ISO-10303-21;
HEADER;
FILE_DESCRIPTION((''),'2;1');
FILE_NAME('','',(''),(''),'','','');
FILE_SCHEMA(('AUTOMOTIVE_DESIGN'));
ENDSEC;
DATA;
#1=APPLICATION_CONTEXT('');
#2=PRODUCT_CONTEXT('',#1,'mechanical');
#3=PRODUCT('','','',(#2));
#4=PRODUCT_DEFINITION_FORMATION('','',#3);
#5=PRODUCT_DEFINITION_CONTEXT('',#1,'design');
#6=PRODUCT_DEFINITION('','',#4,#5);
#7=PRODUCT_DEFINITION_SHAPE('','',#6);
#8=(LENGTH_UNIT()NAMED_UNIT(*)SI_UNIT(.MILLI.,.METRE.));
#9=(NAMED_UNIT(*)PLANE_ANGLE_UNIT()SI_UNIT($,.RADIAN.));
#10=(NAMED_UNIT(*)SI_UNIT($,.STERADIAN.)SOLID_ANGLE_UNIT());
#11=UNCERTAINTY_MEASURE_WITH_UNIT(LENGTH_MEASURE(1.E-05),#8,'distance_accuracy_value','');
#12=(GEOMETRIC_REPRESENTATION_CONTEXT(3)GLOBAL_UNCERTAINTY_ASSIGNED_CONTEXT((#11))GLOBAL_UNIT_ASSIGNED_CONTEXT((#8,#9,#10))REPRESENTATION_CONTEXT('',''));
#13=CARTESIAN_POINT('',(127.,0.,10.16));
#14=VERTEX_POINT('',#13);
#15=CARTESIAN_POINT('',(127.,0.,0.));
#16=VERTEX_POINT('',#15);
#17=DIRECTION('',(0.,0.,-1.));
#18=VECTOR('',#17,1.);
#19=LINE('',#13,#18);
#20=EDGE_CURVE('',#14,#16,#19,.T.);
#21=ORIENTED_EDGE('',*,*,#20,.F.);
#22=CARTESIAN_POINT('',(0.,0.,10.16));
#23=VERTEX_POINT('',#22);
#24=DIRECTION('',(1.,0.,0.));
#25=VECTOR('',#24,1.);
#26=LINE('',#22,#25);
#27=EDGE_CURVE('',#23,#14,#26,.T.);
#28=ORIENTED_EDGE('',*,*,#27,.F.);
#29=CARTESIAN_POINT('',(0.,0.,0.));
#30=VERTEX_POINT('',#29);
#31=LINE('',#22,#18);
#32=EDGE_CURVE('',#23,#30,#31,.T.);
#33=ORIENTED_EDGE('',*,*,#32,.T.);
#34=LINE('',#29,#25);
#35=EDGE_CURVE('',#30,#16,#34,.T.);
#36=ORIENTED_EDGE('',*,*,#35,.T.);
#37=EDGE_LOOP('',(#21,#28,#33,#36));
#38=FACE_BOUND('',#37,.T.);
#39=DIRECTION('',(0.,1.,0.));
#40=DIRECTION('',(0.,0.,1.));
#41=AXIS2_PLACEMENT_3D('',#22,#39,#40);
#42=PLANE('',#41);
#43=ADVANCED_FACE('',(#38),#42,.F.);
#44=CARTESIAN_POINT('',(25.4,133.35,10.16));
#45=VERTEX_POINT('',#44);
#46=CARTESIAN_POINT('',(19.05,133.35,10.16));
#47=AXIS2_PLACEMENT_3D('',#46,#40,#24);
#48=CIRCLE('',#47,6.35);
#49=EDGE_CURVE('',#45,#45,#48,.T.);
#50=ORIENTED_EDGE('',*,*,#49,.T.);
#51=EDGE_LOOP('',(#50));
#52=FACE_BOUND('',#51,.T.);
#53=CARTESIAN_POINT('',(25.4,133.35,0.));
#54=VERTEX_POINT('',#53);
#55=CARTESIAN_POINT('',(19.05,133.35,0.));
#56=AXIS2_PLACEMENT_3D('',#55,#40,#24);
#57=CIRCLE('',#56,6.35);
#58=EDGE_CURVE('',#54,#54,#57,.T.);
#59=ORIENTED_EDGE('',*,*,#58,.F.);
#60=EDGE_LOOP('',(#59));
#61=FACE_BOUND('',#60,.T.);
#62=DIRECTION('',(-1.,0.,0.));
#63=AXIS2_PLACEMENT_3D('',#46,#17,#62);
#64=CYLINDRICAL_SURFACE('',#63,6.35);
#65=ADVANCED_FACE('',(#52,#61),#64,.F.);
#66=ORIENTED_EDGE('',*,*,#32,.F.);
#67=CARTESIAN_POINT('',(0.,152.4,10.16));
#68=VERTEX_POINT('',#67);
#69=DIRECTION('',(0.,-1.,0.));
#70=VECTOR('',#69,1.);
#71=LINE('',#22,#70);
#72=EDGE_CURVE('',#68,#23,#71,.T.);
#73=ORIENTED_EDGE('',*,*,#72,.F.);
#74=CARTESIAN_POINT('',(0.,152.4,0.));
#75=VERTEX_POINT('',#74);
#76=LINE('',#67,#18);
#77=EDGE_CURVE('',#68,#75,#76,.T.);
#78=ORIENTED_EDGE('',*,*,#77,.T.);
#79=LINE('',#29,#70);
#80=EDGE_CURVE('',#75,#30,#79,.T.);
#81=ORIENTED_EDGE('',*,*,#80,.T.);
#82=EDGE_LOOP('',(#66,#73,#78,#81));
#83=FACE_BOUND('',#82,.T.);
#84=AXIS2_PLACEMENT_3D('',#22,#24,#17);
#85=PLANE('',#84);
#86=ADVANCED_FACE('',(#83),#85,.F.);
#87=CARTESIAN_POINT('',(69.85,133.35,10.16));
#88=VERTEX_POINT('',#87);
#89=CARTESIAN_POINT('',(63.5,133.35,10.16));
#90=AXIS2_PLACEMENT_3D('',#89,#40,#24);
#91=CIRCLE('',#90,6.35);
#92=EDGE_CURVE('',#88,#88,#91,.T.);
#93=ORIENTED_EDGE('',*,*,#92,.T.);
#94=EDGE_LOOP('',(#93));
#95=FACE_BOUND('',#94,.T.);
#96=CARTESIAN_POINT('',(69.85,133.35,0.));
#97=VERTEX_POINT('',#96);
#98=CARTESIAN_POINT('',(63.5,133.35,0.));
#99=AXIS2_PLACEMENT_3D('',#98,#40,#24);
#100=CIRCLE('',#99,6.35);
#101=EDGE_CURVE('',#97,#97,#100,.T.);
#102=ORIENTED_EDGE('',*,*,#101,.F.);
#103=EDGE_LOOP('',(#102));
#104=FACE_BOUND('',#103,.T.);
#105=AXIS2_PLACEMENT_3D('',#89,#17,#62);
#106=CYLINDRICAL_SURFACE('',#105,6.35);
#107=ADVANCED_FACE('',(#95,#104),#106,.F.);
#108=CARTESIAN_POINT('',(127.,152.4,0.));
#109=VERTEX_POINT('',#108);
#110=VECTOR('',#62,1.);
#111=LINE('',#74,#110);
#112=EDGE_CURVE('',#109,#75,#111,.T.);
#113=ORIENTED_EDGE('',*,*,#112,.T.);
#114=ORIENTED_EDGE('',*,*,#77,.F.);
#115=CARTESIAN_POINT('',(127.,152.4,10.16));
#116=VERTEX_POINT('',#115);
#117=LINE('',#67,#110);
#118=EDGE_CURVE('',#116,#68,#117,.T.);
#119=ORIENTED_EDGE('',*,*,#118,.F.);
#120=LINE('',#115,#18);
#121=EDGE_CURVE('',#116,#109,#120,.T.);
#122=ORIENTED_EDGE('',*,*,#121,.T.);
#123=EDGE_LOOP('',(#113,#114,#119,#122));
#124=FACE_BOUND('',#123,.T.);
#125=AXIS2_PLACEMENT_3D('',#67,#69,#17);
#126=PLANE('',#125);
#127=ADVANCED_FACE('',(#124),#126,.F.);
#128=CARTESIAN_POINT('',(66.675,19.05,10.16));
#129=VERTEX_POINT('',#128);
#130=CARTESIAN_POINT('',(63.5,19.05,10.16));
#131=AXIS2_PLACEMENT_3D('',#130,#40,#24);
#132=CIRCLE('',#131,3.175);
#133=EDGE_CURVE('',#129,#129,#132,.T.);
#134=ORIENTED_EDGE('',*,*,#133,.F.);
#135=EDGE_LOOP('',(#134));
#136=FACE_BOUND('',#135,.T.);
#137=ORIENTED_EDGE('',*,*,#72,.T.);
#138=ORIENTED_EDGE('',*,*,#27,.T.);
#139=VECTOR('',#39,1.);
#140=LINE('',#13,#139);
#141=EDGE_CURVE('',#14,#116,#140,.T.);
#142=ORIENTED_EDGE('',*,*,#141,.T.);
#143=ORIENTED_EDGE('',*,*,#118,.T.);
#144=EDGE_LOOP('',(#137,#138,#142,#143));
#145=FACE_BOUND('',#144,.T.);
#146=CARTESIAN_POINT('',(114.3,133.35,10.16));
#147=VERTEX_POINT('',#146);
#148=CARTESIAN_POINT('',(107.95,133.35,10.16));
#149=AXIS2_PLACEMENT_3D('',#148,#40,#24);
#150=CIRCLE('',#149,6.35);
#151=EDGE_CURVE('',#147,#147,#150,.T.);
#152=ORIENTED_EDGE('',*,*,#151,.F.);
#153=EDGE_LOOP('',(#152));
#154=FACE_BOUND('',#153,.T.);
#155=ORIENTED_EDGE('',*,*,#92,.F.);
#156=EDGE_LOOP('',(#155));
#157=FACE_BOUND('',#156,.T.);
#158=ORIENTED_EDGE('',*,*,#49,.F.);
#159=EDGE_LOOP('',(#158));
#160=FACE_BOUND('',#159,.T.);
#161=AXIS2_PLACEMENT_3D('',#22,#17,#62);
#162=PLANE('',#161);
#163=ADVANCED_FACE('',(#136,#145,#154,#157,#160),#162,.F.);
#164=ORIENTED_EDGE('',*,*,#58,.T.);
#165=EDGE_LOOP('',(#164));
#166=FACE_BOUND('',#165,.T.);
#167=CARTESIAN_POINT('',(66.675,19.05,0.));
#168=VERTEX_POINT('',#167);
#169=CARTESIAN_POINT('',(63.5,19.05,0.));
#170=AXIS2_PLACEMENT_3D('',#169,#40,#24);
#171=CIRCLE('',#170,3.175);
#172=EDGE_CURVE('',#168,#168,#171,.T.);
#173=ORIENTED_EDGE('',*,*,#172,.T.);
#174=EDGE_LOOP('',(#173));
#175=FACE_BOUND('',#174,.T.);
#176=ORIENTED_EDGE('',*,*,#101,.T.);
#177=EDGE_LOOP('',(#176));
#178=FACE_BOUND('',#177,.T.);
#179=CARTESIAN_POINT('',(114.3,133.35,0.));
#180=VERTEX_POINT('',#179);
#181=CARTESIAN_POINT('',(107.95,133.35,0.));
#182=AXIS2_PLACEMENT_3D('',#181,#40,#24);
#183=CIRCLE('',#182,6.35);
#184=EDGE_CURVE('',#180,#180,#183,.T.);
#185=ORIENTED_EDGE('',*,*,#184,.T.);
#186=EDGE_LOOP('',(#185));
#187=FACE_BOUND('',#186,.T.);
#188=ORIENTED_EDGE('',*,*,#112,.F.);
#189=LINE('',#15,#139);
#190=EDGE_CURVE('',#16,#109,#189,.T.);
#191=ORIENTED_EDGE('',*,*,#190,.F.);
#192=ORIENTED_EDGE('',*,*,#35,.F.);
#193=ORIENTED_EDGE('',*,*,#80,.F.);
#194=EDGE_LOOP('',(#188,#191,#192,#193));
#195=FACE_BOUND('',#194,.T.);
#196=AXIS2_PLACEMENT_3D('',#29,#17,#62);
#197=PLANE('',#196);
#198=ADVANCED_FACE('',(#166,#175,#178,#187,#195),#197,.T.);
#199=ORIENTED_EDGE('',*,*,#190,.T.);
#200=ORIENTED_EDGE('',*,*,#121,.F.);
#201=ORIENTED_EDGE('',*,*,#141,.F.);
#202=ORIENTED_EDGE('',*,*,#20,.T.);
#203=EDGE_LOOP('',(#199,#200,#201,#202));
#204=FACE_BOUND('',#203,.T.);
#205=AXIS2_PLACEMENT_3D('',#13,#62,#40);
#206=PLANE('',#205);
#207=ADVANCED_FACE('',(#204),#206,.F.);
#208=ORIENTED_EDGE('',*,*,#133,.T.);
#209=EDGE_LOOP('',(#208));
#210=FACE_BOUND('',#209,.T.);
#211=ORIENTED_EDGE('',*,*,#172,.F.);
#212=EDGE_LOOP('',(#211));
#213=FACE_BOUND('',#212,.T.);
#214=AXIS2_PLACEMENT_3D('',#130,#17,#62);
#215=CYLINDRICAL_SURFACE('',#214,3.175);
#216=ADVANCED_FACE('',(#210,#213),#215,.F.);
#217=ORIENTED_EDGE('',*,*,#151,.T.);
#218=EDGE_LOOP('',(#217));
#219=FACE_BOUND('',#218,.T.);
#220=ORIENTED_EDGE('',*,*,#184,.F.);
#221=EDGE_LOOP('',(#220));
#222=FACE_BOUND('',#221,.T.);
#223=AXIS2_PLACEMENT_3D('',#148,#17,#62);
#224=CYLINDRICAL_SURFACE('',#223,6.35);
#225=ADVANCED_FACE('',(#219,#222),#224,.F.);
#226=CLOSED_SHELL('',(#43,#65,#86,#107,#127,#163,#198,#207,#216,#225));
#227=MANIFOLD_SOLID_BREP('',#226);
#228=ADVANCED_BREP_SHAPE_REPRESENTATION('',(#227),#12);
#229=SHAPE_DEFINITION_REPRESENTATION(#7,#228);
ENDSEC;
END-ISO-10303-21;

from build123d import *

# Parameters (mm, degrees)
SKETCH1_W           = 127
SKETCH1_H           = 152.4
SKETCH1_R           = 3.175
SKETCH1_R_2         = 6.35
BOSS_EXTRUDE1_DEPTH = 10.16


with BuildPart() as part:
    # Sketch1 → Boss-Extrude1 (new body)
    with BuildSketch(Plane.XY):
        with Locations((63.5, 76.2)):
            Rectangle(SKETCH1_W, SKETCH1_H)
        with Locations((63.5, 19.05)):
            Circle(SKETCH1_R, mode=Mode.SUBTRACT)
        with Locations((19.05, 133.35)):
            Circle(SKETCH1_R_2, mode=Mode.SUBTRACT)
        with Locations((63.5, 133.35)):
            Circle(SKETCH1_R_2, mode=Mode.SUBTRACT)
        with Locations((107.95, 133.35)):
            Circle(SKETCH1_R_2, mode=Mode.SUBTRACT)
    extrude(amount=BOSS_EXTRUDE1_DEPTH)


solid = part.part
